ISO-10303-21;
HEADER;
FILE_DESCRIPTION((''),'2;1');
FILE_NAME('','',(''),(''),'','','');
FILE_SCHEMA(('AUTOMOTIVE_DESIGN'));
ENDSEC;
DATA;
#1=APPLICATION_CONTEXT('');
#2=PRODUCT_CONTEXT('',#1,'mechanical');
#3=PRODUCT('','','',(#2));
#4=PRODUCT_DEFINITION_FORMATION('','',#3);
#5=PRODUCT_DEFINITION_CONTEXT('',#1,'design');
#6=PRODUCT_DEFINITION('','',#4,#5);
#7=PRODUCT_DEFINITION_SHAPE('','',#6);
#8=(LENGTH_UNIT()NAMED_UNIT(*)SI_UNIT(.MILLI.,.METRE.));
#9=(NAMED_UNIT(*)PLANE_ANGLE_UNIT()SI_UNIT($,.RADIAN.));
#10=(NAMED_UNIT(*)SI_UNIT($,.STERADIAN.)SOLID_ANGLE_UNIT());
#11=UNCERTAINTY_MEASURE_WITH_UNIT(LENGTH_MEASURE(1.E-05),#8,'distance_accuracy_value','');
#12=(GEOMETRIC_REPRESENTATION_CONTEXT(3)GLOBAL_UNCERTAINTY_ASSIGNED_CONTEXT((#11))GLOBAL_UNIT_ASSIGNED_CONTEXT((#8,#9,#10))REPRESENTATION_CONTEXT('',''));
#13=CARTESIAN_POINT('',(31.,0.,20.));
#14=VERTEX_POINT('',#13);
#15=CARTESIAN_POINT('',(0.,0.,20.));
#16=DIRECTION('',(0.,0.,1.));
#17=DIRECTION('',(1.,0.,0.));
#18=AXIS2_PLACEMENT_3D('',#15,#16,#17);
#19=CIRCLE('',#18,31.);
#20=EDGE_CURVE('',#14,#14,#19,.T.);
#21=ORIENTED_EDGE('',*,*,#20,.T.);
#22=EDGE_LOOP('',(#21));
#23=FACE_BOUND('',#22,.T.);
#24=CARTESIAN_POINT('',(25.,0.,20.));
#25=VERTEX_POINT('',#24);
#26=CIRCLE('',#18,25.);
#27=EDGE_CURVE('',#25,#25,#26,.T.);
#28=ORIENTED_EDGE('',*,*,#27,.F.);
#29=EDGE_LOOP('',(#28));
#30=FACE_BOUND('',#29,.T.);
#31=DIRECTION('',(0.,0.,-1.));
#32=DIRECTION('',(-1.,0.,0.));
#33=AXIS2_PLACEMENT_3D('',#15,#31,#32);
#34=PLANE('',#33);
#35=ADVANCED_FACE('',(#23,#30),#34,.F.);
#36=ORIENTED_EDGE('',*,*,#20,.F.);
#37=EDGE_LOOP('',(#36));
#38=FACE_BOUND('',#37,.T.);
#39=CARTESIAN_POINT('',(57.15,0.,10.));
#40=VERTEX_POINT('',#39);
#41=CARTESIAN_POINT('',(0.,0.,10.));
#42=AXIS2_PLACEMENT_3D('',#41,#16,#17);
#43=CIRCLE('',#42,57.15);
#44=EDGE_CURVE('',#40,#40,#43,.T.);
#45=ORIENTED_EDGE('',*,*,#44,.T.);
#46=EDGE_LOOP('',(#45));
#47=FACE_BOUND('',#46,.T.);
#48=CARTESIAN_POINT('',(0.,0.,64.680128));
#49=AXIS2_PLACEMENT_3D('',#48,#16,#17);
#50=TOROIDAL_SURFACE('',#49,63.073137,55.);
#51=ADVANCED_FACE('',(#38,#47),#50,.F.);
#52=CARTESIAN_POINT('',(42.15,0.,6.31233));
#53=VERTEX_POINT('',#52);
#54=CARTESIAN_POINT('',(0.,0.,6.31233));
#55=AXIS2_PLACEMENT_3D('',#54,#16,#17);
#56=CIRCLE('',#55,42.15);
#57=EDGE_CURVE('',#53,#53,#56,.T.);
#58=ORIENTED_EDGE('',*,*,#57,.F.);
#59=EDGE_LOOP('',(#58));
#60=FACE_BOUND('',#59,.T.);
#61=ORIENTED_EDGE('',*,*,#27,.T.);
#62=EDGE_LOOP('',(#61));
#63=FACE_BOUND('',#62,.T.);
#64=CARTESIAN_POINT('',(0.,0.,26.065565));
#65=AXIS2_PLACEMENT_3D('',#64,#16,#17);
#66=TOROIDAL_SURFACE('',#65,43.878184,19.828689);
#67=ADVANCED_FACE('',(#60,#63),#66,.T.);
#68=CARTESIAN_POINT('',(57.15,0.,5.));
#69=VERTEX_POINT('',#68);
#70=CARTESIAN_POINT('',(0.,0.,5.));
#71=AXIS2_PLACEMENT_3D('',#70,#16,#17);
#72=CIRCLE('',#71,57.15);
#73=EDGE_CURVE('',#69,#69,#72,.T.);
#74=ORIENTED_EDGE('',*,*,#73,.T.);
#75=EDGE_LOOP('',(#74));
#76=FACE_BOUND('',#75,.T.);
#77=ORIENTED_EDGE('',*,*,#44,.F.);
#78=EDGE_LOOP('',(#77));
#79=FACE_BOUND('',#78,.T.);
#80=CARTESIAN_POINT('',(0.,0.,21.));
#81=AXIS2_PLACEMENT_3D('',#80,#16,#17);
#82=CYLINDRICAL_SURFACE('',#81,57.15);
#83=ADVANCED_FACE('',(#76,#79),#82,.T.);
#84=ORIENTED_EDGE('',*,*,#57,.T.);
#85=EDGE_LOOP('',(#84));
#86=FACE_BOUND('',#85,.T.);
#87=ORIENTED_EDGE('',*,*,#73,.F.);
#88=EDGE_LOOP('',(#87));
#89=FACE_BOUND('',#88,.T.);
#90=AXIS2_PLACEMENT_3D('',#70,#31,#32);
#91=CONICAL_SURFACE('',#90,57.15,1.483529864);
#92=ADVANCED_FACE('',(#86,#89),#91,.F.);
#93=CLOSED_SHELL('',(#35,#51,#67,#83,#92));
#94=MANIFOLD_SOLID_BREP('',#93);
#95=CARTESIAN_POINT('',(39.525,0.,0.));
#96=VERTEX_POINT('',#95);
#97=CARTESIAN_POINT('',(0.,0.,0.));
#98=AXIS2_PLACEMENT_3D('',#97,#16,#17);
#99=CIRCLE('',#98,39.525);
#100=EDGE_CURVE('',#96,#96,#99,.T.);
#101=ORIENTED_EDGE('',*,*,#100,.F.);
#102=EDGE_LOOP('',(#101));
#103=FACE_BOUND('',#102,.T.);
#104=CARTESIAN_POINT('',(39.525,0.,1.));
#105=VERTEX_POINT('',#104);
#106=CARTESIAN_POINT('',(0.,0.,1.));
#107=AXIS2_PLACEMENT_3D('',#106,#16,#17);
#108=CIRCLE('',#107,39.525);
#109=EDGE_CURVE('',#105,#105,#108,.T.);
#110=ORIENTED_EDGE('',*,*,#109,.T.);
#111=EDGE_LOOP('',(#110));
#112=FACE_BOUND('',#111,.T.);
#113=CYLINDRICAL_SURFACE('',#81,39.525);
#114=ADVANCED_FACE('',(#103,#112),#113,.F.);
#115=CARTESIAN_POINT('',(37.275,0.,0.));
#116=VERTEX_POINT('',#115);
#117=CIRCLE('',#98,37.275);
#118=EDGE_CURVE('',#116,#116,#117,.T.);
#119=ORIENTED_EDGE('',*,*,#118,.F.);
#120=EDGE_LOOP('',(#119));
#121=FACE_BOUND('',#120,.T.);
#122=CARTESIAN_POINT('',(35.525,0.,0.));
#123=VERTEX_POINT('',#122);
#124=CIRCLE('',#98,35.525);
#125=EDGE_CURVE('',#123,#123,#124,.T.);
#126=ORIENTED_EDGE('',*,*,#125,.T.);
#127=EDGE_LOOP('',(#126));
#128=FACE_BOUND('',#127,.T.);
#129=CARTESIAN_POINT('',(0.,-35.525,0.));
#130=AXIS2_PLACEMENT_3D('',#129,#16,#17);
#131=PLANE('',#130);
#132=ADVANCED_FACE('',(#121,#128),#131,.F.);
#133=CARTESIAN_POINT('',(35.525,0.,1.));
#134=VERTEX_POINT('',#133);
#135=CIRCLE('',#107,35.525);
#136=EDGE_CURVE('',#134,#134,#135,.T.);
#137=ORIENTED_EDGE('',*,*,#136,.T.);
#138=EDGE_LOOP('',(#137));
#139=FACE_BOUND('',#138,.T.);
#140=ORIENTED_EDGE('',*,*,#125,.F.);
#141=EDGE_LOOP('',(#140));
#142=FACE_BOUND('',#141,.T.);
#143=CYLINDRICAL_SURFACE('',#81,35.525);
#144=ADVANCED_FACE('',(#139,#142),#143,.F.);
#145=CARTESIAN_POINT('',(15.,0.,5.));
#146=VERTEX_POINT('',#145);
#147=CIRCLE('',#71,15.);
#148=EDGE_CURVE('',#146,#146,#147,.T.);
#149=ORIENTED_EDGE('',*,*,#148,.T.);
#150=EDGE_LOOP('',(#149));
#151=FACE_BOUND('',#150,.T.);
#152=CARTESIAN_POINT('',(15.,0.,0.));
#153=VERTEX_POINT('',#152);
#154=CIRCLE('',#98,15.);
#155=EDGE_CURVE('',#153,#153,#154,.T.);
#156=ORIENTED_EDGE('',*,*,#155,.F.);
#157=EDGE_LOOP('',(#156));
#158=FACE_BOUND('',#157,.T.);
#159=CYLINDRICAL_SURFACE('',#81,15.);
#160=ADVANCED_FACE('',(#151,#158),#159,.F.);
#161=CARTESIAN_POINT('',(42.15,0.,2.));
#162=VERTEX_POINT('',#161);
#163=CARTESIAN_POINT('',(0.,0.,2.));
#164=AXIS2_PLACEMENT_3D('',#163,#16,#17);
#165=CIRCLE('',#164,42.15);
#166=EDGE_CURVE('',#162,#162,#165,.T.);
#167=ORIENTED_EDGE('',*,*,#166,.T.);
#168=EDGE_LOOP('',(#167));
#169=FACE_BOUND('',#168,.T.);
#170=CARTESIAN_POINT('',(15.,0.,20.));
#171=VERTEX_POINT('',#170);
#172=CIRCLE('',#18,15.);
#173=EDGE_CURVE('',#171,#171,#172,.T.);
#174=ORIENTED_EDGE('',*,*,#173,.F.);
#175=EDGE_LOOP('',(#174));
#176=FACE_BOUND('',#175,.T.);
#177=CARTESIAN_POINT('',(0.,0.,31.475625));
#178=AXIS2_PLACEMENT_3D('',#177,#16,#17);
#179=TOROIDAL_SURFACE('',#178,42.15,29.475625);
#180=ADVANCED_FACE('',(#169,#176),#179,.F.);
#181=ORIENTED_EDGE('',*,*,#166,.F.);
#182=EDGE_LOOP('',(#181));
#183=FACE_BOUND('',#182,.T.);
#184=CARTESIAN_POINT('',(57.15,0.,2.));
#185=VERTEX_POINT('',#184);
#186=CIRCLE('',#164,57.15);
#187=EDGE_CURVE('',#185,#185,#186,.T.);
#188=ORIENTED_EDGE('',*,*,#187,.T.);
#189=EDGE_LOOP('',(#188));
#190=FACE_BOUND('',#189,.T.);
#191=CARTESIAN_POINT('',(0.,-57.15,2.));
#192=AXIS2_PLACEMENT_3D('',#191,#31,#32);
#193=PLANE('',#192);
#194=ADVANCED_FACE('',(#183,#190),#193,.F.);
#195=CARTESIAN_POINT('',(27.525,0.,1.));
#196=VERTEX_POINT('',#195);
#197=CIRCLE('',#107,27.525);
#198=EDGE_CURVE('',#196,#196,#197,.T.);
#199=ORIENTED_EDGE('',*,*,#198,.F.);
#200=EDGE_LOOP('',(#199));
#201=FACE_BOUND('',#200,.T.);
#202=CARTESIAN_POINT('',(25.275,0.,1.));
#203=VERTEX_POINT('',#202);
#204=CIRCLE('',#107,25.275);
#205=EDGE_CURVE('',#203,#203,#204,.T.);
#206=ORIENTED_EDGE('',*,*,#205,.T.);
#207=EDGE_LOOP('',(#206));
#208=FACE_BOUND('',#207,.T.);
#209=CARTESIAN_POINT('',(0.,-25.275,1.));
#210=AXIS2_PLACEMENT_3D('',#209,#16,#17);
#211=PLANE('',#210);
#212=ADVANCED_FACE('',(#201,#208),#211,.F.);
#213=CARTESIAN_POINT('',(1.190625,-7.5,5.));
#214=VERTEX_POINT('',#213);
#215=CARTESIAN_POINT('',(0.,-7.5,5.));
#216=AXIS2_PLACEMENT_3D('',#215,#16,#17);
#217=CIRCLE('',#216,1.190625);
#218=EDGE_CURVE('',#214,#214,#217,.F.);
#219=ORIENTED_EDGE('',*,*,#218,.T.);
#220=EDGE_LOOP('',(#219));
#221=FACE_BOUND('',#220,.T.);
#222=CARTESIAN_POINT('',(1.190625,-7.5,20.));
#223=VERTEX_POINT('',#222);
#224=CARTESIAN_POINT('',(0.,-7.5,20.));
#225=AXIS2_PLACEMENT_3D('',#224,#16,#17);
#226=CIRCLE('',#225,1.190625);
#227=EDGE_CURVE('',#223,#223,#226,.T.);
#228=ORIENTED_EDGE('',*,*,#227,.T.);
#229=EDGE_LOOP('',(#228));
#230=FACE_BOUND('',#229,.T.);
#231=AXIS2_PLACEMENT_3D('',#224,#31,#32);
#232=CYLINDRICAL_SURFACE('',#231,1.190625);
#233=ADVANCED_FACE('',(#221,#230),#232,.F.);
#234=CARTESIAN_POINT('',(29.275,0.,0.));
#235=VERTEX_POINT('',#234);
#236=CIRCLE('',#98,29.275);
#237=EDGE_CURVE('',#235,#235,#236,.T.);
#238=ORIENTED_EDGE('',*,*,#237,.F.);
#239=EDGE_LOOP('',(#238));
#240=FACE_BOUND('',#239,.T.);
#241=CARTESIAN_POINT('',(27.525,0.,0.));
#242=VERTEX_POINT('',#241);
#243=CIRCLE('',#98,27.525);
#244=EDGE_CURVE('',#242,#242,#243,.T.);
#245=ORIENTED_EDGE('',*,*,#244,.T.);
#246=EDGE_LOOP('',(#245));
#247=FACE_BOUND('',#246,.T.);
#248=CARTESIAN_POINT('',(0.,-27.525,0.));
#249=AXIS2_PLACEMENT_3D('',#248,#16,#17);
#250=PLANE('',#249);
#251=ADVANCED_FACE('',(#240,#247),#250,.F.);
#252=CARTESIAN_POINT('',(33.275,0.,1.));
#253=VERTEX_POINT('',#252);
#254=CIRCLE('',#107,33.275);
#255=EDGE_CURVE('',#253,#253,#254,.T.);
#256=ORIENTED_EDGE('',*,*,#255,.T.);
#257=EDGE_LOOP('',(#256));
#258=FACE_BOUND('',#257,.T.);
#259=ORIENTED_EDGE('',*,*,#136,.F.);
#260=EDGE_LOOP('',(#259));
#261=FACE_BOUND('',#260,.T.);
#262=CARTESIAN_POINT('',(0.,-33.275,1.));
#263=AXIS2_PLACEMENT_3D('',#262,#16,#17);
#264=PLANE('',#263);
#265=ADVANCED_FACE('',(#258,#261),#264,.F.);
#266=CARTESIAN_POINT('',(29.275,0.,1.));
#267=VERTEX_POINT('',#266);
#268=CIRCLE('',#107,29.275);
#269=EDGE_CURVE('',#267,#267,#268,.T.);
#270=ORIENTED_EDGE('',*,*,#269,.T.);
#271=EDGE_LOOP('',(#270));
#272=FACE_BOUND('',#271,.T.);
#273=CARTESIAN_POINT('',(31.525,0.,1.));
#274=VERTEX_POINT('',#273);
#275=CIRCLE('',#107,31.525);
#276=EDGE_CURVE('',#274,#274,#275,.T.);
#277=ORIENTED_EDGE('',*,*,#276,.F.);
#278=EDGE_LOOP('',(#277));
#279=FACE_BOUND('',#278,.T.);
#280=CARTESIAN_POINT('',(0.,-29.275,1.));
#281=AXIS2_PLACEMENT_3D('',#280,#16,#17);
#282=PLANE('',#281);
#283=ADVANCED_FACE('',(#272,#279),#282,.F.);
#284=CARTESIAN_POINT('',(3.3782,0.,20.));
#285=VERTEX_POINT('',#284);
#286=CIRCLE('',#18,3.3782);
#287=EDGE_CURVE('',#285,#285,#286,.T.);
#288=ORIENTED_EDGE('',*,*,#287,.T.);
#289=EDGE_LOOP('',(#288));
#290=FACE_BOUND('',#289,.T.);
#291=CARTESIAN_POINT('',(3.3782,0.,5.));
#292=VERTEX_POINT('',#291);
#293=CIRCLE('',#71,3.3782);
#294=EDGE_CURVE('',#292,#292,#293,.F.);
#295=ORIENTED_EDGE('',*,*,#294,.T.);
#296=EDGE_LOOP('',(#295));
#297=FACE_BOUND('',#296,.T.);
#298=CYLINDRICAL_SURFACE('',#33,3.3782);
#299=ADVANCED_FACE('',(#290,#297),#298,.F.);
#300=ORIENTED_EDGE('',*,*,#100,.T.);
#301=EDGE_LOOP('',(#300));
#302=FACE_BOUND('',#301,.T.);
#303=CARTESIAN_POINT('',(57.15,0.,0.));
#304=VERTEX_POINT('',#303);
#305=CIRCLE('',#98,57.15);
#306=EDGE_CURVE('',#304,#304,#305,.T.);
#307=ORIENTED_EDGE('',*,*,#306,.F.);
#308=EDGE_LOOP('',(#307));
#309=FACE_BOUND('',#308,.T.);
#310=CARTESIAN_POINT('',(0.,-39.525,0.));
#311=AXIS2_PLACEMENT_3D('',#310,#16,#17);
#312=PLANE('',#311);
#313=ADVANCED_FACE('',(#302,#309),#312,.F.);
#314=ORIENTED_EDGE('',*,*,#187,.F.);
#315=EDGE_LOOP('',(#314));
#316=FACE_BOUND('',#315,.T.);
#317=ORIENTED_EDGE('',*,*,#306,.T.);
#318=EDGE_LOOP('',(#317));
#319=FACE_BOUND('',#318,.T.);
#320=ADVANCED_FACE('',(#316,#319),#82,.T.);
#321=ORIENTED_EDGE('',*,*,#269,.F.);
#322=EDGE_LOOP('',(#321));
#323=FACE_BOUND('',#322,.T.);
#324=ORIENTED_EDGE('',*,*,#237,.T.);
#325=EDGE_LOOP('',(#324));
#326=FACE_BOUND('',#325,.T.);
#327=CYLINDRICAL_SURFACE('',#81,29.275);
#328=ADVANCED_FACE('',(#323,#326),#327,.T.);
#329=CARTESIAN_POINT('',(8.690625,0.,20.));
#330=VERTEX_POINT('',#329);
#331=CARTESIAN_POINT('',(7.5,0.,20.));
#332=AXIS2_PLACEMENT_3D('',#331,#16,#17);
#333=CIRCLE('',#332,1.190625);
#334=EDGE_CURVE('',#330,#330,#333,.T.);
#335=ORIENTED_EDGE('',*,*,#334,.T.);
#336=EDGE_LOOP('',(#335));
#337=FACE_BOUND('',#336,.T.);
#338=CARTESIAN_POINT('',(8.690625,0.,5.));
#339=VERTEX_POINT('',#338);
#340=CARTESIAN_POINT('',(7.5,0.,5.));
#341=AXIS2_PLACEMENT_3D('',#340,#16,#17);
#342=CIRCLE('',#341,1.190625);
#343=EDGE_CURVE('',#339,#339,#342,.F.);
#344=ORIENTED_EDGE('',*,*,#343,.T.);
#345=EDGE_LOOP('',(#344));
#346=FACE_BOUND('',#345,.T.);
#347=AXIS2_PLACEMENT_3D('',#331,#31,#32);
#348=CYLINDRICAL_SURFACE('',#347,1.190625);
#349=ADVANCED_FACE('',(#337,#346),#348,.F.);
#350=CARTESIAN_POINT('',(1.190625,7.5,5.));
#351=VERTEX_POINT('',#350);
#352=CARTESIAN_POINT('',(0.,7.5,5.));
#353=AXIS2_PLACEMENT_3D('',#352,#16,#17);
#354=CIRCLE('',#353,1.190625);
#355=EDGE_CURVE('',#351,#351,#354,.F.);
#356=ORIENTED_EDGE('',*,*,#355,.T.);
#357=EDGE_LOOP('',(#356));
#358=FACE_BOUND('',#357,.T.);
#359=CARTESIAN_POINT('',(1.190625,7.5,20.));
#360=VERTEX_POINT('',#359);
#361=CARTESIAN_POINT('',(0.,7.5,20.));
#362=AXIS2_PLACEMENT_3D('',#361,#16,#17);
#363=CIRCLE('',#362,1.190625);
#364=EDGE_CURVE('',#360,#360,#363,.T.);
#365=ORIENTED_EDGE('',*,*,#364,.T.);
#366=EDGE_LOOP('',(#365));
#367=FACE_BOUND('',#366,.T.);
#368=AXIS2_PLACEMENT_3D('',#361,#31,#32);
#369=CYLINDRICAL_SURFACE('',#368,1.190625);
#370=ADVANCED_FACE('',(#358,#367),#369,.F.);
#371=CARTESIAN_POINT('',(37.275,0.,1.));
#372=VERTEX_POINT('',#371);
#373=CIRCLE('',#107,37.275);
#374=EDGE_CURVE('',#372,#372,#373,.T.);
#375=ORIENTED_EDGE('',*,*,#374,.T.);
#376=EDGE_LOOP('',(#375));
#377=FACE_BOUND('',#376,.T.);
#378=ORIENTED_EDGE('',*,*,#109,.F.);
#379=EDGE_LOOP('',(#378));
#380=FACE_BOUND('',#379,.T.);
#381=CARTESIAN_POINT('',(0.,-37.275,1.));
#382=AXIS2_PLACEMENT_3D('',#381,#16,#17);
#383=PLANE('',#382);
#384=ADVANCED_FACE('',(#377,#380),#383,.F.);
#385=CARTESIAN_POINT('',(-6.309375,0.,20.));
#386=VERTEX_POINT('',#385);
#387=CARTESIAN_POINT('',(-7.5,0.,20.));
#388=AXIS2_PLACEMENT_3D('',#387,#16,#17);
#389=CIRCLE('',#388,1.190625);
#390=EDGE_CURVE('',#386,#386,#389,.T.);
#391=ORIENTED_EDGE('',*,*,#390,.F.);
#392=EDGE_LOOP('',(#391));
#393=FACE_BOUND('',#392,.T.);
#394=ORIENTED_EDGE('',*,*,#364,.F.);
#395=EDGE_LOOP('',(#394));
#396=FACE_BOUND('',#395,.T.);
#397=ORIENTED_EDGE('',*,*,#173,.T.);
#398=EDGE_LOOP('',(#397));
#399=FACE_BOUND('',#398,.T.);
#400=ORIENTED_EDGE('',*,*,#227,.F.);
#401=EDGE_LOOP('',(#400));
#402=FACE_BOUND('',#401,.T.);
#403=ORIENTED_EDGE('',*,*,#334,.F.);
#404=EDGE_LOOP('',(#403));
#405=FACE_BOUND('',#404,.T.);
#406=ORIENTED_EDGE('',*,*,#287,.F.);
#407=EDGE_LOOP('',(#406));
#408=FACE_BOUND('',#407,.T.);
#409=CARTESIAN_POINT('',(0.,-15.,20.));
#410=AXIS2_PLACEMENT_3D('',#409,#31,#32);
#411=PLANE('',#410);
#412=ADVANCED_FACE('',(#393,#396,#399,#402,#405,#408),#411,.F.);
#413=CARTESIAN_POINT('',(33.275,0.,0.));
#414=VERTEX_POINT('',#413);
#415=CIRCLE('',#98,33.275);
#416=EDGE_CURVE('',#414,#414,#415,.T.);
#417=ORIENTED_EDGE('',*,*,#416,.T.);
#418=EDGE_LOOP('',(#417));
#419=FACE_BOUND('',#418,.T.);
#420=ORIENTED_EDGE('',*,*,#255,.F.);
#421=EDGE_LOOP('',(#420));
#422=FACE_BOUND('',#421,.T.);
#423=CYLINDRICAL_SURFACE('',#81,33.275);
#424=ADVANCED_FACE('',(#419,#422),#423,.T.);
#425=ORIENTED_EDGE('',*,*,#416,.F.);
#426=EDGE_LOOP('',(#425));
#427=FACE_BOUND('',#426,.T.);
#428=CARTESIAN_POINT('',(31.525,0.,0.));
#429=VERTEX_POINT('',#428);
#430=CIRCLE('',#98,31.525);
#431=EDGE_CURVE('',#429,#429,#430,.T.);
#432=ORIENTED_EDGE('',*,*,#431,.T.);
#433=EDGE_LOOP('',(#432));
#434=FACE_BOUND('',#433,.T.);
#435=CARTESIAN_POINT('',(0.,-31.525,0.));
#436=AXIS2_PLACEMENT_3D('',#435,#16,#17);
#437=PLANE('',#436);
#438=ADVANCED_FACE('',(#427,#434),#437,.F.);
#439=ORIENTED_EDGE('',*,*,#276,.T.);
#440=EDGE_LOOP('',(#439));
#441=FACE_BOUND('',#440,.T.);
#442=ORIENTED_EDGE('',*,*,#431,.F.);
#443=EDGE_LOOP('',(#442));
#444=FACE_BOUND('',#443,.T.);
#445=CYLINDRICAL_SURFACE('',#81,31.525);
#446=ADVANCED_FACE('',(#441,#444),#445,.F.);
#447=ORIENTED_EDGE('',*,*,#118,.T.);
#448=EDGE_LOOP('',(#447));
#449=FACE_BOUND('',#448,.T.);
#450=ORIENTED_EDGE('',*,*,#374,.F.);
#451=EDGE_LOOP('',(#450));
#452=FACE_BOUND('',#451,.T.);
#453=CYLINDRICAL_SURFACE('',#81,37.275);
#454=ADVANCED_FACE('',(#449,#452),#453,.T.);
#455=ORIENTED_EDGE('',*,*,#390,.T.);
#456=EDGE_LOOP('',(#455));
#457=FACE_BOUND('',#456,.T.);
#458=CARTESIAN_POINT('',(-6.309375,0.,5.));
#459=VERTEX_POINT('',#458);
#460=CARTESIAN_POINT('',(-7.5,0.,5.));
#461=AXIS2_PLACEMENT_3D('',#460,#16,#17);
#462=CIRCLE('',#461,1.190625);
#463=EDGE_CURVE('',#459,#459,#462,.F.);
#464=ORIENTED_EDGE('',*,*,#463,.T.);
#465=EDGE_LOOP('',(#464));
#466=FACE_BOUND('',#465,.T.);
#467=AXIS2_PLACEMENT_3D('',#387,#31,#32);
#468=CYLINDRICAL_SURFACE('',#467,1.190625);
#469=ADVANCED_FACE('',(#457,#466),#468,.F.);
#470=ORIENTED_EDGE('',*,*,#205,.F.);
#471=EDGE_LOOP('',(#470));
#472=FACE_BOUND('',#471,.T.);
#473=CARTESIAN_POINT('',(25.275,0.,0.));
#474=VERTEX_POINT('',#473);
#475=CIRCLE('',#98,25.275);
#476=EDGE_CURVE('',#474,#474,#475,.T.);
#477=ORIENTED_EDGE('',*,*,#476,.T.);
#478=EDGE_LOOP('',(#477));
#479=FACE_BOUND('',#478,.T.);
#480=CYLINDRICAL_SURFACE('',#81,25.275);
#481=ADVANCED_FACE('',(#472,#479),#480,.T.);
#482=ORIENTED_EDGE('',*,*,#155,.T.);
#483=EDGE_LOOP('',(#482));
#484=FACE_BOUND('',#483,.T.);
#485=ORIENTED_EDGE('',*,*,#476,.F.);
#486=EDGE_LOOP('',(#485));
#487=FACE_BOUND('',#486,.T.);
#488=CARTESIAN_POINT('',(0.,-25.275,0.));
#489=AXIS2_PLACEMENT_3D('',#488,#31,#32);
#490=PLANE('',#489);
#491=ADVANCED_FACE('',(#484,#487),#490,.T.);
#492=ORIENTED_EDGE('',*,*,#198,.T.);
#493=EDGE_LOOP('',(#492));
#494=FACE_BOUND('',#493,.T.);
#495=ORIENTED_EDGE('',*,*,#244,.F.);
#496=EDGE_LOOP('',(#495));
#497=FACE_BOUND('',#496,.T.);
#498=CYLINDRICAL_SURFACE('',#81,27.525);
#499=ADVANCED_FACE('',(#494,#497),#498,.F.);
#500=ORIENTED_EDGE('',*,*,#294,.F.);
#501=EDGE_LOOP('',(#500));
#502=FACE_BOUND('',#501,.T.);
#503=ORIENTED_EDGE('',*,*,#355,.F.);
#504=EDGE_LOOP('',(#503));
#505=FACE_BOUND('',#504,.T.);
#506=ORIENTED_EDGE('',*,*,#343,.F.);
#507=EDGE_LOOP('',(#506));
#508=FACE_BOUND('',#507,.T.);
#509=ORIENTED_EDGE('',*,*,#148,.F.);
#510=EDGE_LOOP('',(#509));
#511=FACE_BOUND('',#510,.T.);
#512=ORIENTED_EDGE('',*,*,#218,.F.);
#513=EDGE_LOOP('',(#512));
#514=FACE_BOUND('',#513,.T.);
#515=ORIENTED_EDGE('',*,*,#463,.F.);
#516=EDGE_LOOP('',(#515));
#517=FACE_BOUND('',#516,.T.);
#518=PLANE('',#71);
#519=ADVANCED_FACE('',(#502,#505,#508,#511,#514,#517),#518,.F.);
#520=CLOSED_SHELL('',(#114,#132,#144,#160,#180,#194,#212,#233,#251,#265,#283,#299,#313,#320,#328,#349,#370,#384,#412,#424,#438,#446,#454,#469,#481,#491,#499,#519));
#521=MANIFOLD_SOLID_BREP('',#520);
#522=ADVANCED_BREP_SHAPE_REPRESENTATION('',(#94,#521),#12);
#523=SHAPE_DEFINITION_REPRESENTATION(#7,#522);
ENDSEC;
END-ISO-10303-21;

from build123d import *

# Parameters (mm, degrees)
CUT_EXTRUDE1_DEPTH      = 84.260104492
CUT_EXTRUDE1_DEPTH_BACK = 84.260104492
SKETCH2_R               = 1.190625
SKETCH2_R_2             = 3.3782


with BuildPart() as part:
    # Sketch1 → Revolve1 (revolve)
    with BuildSketch(Plane.YZ, mode=Mode.PRIVATE) as revolve1_sk:
        with BuildLine():
            Line((-57.15, 10), (-57.15, 5))
            Line((-57.15, 5), (-42.15, 6.312329953))
            ThreePointArc((-42.15, 6.312329953), (-31.509122685, 10.567718891), (-25, 20))
            Line((-25, 20), (-31, 20))
            ThreePointArc((-31, 20), (-43.428055952, 13.308241315), (-57.15, 10))
        make_face()
        with BuildLine():
            ThreePointArc((-42.15, 2), (-25.862562356, 6.908739887), (-15, 20))
            Line((-15, 20), (0, 20))
            Line((0, 20), (0, 5))
            Line((0, 5), (-15, 5))
            Line((-15, 5), (-15, 0))
            Line((-15, 0), (-25.275, 0))
            Line((-25.275, 0), (-25.275, 1))
            Line((-25.275, 1), (-27.525, 1))
            Line((-27.525, 1), (-27.525, 0))
            Line((-27.525, 0), (-29.275, 0))
            Line((-29.275, 0), (-29.275, 1))
            Line((-29.275, 1), (-31.525, 1))
            Line((-31.525, 1), (-31.525, 0))
            Line((-31.525, 0), (-33.275, 0))
            Line((-33.275, 0), (-33.275, 1))
            Line((-33.275, 1), (-35.525, 1))
            Line((-35.525, 1), (-35.525, 0))
            Line((-35.525, 0), (-37.275, 0))
            Line((-37.275, 0), (-37.275, 1))
            Line((-37.275, 1), (-39.525, 1))
            Line((-39.525, 1), (-39.525, 0))
            Line((-39.525, 0), (-57.15, 0))
            Line((-57.15, 0), (-57.15, 2))
            Line((-57.15, 2), (-42.15, 2))
        make_face()
    revolve(revolve1_sk.sketch.rotate(Axis((0, 0, 21), (0, 0, -1)), 270), axis=Axis((0, 0, 21), (0, 0, -1)))

    # Sketch2 → Cut-Extrude1 (cut, two sides: drawn at the far end of the back side and taken through both)
    with BuildSketch(Plane(origin=(0, 0, 0), x_dir=(0, 1, 0), z_dir=(0, 0, 1)).offset(-CUT_EXTRUDE1_DEPTH_BACK)):
        with Locations(Location((-7.5, 0, 0), (0, 0, 270))):
            Circle(SKETCH2_R)
        with Locations(Location((0, 7.5, 0), (0, 0, 270))):
            Circle(SKETCH2_R)
        with Locations(Location((7.5, 0, 0), (0, 0, 270))):
            Circle(SKETCH2_R)
        with Locations(Location((0, -7.5, 0), (0, 0, 270))):
            Circle(SKETCH2_R)
        with Locations(Location((0, 0, 0), (0, 0, 270))):
            Circle(SKETCH2_R_2)
    extrude(amount=CUT_EXTRUDE1_DEPTH + CUT_EXTRUDE1_DEPTH_BACK, mode=Mode.SUBTRACT)


solid = part.part
